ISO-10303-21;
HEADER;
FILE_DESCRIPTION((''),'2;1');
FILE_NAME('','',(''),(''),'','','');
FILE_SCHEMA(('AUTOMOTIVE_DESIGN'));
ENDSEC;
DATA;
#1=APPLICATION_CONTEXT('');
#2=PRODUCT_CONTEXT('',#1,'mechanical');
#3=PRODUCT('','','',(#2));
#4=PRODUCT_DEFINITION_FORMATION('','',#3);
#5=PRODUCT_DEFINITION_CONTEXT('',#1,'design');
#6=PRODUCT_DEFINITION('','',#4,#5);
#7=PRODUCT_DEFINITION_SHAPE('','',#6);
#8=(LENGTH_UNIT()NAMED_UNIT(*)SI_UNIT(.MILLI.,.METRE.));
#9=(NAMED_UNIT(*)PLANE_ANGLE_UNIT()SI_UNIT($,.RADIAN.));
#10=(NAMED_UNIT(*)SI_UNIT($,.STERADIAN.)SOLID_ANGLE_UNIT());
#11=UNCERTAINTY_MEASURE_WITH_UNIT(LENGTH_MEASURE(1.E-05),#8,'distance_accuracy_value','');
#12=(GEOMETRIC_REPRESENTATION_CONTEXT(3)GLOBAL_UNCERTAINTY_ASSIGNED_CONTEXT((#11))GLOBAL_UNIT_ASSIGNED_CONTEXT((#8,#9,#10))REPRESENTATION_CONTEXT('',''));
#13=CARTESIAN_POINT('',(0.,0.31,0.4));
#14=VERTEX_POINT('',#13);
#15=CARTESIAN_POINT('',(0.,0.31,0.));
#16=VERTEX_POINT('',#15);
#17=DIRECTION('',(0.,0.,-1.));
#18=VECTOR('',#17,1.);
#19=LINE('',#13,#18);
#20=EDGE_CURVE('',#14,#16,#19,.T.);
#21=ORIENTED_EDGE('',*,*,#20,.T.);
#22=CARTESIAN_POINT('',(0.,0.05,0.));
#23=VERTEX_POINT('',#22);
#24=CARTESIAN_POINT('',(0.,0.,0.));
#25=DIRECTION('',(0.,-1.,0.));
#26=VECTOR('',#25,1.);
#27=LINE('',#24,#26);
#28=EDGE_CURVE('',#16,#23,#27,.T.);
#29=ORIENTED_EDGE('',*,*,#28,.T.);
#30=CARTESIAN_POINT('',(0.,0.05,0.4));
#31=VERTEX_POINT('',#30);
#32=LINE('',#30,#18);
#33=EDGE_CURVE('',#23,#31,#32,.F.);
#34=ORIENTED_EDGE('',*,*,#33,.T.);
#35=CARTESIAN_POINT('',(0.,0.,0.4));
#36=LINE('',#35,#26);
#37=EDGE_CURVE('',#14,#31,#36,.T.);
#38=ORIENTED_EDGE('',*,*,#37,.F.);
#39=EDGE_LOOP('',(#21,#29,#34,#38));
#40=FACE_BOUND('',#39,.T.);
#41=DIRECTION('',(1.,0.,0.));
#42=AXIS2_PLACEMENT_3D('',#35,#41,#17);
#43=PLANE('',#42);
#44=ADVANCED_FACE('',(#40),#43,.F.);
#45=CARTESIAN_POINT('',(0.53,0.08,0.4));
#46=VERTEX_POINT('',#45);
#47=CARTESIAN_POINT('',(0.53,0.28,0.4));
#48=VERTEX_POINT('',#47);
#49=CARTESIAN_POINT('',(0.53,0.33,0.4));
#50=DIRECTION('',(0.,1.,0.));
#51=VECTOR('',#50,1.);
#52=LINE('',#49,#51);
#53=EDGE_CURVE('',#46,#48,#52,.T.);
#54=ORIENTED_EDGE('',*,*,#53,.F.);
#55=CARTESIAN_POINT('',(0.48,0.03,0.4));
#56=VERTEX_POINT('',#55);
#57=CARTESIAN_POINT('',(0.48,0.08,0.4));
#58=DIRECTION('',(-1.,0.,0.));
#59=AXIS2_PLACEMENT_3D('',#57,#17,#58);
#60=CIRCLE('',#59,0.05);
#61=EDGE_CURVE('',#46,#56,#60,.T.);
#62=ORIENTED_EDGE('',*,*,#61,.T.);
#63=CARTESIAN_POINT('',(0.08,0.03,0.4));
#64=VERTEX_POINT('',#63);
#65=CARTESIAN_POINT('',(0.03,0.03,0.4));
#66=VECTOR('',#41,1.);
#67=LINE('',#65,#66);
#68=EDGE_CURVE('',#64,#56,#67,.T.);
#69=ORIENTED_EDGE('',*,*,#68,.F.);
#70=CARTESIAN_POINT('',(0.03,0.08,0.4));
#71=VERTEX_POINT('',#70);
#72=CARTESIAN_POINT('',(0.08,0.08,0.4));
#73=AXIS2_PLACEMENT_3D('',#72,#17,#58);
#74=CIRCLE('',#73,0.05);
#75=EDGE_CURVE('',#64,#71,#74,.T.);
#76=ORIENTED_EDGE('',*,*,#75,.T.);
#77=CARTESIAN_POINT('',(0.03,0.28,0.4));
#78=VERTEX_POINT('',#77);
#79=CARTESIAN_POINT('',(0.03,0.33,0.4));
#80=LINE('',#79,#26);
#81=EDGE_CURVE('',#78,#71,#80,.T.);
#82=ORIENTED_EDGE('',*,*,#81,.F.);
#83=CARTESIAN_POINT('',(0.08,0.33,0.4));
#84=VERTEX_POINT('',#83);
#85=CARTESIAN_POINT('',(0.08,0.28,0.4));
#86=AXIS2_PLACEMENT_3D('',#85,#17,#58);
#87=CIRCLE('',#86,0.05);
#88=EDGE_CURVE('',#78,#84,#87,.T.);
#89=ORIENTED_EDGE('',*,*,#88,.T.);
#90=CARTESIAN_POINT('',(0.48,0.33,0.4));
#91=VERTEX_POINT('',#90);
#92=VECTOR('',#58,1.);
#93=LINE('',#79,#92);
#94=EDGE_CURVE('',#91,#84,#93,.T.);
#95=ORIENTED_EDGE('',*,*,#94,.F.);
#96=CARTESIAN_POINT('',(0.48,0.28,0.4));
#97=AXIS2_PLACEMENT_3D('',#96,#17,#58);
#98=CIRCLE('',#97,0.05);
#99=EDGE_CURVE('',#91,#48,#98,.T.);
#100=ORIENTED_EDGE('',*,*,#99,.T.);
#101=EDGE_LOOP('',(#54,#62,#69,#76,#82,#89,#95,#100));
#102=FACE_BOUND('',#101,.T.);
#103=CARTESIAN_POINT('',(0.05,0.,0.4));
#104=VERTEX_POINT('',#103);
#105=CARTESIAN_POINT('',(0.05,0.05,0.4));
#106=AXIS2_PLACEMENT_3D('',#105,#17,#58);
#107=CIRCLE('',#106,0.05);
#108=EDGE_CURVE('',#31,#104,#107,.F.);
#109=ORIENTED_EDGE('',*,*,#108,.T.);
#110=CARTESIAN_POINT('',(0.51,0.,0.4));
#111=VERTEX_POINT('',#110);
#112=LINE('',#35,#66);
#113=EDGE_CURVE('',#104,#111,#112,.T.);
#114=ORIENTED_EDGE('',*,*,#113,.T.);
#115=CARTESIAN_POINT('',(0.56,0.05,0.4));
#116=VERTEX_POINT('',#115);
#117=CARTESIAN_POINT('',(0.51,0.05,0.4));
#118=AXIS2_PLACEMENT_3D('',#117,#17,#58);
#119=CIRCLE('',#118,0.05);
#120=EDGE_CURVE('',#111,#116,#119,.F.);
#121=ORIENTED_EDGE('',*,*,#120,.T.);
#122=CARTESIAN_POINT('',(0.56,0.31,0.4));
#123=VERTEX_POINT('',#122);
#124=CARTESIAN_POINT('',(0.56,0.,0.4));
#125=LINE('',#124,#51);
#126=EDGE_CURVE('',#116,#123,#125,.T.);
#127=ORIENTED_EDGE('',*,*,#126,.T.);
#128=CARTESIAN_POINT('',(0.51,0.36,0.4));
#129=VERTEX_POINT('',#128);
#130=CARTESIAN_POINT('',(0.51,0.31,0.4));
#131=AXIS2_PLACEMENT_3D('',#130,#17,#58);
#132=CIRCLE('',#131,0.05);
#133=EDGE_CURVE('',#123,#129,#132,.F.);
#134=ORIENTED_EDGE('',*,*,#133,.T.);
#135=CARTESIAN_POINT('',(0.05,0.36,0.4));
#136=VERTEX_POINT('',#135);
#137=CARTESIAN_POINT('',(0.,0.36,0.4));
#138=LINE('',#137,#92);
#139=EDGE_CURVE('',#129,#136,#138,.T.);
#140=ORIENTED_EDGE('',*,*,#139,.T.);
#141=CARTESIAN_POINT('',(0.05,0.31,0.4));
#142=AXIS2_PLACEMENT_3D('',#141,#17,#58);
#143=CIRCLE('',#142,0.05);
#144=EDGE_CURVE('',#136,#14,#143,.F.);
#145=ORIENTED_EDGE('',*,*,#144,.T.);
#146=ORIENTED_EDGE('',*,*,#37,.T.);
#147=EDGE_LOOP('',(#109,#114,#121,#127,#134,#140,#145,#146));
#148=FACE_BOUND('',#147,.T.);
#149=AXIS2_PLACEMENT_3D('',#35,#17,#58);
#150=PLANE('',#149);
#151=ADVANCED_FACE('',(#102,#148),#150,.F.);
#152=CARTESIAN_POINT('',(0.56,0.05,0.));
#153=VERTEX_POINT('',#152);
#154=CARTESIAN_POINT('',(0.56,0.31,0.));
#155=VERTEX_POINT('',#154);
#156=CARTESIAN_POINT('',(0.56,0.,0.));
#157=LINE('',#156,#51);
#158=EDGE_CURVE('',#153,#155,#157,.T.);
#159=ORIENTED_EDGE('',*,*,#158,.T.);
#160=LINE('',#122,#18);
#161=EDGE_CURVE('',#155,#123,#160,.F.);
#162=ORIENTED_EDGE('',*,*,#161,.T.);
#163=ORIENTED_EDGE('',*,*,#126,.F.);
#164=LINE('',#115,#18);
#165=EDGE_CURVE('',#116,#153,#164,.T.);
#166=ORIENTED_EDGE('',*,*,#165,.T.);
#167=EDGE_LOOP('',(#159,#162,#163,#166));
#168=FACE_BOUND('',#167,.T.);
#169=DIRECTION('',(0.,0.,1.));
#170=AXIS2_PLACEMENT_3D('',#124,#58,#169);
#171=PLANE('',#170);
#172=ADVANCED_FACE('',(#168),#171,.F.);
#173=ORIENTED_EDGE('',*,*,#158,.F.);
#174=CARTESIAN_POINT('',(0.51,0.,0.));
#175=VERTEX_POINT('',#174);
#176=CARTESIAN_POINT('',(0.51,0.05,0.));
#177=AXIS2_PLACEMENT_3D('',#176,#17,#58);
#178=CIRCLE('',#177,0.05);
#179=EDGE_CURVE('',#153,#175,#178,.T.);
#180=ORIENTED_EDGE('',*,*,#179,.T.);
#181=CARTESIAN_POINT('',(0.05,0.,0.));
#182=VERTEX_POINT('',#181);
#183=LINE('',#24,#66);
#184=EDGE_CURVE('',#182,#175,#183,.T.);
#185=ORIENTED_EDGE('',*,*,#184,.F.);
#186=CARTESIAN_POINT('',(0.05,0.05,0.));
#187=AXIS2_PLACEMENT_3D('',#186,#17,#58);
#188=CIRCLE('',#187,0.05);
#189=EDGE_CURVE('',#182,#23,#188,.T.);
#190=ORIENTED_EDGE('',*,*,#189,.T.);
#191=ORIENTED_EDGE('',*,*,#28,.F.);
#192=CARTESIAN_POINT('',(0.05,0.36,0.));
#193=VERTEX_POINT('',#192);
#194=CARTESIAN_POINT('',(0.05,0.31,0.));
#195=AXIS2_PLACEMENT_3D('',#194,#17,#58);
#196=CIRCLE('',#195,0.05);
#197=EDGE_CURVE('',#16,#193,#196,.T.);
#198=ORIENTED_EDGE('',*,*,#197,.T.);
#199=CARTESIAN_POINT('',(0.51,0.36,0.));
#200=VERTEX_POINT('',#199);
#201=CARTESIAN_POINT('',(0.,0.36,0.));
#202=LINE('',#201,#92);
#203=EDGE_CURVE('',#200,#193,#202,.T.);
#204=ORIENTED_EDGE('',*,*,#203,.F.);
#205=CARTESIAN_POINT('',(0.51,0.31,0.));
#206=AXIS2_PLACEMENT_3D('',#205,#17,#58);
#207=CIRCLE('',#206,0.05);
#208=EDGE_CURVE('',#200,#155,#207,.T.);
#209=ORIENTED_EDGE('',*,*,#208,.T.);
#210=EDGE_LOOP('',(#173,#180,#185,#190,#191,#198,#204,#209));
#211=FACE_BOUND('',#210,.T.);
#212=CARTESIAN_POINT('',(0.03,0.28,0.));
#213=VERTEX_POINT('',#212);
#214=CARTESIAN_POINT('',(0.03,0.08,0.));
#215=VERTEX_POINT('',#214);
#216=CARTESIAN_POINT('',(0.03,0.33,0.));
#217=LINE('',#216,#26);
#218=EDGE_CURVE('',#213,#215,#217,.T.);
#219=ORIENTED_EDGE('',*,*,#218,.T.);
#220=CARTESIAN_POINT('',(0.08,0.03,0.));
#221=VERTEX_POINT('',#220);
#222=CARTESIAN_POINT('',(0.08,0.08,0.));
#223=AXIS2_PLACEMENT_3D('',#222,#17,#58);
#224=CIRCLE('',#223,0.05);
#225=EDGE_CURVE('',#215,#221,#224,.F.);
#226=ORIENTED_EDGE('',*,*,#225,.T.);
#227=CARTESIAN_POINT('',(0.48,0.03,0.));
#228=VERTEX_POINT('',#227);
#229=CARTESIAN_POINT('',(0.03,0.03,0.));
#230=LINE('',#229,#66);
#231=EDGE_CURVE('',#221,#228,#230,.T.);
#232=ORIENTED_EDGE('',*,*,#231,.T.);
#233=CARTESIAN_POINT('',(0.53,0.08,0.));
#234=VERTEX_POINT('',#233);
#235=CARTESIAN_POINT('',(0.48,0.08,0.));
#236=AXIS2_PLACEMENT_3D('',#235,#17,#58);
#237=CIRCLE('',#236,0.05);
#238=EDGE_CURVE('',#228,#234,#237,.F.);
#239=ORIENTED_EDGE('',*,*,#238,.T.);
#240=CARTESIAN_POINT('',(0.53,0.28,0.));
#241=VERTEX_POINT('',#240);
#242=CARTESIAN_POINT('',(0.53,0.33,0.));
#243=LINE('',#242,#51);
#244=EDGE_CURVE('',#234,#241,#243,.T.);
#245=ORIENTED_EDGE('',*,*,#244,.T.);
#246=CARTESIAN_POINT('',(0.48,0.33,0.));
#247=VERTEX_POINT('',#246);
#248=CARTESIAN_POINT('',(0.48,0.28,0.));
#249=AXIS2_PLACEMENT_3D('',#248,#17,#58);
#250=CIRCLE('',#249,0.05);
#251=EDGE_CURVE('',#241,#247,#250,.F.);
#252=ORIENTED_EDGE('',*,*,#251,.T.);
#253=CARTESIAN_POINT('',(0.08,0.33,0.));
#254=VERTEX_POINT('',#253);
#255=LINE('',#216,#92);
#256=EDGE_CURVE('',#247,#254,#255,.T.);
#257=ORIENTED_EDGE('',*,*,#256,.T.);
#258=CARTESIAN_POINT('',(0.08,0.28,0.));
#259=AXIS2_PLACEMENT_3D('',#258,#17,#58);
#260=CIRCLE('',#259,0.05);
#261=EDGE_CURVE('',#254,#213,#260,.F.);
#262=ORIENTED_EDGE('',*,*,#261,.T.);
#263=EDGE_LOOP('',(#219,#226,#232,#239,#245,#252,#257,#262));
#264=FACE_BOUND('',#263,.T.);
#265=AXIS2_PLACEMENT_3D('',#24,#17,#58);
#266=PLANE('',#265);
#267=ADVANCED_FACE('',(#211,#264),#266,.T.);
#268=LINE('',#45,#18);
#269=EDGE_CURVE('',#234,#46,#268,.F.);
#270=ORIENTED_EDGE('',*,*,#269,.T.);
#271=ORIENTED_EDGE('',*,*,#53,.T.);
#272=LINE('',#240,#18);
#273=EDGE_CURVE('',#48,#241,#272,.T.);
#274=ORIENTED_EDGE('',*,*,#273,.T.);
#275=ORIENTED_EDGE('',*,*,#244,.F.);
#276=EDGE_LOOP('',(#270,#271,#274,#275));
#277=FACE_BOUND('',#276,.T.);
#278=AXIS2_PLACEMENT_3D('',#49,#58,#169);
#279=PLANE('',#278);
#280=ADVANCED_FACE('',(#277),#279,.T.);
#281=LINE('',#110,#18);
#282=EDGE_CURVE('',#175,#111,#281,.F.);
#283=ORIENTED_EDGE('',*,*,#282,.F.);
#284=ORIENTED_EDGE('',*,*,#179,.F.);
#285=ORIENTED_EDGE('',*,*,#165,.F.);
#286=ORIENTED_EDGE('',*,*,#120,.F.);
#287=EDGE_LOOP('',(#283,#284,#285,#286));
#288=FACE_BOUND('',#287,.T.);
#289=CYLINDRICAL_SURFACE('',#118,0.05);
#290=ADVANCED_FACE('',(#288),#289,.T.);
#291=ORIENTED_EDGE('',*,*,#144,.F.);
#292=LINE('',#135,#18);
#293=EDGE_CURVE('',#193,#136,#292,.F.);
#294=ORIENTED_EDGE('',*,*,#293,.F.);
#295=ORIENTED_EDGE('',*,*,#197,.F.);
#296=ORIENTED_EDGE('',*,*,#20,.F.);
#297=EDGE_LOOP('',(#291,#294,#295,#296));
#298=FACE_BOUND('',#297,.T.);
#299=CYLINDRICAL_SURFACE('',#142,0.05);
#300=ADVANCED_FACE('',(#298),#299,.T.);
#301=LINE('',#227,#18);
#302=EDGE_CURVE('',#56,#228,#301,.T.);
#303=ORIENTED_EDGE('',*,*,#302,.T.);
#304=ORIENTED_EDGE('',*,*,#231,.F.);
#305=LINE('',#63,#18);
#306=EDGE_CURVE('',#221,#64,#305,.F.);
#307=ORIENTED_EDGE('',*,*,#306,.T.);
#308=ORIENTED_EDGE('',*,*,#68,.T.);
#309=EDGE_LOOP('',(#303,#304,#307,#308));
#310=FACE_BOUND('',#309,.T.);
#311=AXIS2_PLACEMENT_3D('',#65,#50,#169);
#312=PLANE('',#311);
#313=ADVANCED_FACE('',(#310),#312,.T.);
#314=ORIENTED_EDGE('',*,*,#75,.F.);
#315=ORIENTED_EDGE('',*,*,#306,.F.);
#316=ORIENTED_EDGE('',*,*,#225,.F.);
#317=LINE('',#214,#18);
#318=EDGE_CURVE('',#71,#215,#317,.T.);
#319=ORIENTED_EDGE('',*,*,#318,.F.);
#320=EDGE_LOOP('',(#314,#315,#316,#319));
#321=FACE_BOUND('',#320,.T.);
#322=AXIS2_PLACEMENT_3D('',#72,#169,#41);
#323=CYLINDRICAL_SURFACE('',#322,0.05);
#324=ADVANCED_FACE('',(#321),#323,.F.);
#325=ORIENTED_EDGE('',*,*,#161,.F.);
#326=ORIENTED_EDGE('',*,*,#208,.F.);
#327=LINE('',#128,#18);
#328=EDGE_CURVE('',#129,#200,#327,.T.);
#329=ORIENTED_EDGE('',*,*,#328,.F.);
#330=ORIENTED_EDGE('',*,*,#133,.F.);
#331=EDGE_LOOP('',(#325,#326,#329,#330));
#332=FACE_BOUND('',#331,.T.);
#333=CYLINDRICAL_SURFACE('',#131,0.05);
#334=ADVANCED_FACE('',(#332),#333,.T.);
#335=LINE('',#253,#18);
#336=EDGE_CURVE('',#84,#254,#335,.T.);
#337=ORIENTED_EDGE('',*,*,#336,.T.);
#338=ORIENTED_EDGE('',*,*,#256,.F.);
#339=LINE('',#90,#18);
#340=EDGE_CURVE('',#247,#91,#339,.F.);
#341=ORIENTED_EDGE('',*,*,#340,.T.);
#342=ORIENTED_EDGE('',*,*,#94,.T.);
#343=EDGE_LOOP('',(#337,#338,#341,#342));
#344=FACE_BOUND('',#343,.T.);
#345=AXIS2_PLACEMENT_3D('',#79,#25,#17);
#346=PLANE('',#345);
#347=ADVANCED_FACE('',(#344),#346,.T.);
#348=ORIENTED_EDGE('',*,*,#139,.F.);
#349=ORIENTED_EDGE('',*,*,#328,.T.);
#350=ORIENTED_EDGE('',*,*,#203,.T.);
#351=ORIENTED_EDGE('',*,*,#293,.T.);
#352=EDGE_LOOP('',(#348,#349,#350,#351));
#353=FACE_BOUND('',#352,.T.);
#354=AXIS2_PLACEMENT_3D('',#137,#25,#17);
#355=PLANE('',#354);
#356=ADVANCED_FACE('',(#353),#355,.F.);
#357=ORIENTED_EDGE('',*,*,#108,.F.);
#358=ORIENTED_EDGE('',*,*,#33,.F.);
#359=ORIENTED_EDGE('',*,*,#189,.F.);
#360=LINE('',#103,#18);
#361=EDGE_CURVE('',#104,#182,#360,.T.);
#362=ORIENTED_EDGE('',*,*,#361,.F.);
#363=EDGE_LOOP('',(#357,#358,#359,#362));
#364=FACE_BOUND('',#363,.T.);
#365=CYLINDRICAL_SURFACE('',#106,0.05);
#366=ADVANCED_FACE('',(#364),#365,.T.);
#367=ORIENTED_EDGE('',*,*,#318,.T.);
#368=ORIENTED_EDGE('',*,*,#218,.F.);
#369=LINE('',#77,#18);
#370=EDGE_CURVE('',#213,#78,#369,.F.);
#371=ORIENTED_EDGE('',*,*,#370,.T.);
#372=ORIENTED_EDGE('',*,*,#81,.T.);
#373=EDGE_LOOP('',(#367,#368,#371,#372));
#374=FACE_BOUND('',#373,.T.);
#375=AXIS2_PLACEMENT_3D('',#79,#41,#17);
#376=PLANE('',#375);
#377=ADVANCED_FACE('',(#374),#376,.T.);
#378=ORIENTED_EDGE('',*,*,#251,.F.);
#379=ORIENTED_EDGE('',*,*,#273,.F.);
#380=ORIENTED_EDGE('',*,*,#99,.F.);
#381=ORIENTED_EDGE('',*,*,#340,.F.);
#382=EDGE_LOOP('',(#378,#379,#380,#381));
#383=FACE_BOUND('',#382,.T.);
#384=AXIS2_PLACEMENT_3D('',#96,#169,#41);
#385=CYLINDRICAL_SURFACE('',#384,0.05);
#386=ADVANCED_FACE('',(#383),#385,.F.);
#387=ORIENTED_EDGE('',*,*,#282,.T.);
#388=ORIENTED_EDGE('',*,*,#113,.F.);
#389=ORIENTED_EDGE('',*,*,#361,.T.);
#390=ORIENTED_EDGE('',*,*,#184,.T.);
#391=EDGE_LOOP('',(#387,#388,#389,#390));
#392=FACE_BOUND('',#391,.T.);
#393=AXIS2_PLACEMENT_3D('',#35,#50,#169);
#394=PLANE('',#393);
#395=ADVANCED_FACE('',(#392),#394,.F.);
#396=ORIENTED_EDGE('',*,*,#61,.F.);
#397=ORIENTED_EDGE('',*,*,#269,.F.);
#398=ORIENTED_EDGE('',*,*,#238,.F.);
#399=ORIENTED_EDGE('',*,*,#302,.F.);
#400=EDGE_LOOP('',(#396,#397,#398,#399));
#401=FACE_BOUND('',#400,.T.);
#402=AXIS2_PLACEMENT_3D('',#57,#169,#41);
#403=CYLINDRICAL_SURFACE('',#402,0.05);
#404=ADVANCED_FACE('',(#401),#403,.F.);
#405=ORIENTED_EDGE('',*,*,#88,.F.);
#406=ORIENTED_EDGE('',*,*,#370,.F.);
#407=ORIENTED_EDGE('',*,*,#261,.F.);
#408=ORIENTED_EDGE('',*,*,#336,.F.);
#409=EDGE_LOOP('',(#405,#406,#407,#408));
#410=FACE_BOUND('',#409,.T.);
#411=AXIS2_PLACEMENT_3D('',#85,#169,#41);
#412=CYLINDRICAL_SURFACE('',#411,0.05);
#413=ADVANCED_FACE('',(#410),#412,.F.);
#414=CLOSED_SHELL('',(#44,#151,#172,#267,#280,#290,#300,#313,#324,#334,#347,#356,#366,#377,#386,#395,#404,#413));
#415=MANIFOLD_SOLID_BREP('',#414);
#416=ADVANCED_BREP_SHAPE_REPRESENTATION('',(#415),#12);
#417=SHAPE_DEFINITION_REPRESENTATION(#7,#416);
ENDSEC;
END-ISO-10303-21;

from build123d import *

# Parameters (mm, degrees)
SKETCH1_W           = 0.56
SKETCH1_H           = 0.36
SKETCH1_W_2         = 0.5
SKETCH1_H_2         = 0.3
BOSS_EXTRUDE1_DEPTH = 0.4
FILLET1_R           = 0.05


with BuildPart() as part:
    # Sketch1 → Boss-Extrude1 (new body)
    with BuildSketch(Plane.XY):
        with Locations((0.28, 0.18)):
            Rectangle(SKETCH1_W, SKETCH1_H)
        with Locations((0.28, 0.18)):
            Rectangle(SKETCH1_W_2, SKETCH1_H_2, mode=Mode.SUBTRACT)
    extrude(amount=BOSS_EXTRUDE1_DEPTH)

    # Fillet1
    fillet1_edges = [part.edges().sort_by_distance(p)[0] for p in [
        (0.03, 0.33, 0.2),
        (0.03, 0.03, 0.2),
        (0.53, 0.03, 0.2),
        (0.53, 0.33, 0.2),
        (0, 0.36, 0.2),
        (0.56, 0.36, 0.2),
        (0.56, 0, 0.2),
        (0, 0, 0.2),
    ]]
    fillet(fillet1_edges, radius=FILLET1_R)


solid = part.part
